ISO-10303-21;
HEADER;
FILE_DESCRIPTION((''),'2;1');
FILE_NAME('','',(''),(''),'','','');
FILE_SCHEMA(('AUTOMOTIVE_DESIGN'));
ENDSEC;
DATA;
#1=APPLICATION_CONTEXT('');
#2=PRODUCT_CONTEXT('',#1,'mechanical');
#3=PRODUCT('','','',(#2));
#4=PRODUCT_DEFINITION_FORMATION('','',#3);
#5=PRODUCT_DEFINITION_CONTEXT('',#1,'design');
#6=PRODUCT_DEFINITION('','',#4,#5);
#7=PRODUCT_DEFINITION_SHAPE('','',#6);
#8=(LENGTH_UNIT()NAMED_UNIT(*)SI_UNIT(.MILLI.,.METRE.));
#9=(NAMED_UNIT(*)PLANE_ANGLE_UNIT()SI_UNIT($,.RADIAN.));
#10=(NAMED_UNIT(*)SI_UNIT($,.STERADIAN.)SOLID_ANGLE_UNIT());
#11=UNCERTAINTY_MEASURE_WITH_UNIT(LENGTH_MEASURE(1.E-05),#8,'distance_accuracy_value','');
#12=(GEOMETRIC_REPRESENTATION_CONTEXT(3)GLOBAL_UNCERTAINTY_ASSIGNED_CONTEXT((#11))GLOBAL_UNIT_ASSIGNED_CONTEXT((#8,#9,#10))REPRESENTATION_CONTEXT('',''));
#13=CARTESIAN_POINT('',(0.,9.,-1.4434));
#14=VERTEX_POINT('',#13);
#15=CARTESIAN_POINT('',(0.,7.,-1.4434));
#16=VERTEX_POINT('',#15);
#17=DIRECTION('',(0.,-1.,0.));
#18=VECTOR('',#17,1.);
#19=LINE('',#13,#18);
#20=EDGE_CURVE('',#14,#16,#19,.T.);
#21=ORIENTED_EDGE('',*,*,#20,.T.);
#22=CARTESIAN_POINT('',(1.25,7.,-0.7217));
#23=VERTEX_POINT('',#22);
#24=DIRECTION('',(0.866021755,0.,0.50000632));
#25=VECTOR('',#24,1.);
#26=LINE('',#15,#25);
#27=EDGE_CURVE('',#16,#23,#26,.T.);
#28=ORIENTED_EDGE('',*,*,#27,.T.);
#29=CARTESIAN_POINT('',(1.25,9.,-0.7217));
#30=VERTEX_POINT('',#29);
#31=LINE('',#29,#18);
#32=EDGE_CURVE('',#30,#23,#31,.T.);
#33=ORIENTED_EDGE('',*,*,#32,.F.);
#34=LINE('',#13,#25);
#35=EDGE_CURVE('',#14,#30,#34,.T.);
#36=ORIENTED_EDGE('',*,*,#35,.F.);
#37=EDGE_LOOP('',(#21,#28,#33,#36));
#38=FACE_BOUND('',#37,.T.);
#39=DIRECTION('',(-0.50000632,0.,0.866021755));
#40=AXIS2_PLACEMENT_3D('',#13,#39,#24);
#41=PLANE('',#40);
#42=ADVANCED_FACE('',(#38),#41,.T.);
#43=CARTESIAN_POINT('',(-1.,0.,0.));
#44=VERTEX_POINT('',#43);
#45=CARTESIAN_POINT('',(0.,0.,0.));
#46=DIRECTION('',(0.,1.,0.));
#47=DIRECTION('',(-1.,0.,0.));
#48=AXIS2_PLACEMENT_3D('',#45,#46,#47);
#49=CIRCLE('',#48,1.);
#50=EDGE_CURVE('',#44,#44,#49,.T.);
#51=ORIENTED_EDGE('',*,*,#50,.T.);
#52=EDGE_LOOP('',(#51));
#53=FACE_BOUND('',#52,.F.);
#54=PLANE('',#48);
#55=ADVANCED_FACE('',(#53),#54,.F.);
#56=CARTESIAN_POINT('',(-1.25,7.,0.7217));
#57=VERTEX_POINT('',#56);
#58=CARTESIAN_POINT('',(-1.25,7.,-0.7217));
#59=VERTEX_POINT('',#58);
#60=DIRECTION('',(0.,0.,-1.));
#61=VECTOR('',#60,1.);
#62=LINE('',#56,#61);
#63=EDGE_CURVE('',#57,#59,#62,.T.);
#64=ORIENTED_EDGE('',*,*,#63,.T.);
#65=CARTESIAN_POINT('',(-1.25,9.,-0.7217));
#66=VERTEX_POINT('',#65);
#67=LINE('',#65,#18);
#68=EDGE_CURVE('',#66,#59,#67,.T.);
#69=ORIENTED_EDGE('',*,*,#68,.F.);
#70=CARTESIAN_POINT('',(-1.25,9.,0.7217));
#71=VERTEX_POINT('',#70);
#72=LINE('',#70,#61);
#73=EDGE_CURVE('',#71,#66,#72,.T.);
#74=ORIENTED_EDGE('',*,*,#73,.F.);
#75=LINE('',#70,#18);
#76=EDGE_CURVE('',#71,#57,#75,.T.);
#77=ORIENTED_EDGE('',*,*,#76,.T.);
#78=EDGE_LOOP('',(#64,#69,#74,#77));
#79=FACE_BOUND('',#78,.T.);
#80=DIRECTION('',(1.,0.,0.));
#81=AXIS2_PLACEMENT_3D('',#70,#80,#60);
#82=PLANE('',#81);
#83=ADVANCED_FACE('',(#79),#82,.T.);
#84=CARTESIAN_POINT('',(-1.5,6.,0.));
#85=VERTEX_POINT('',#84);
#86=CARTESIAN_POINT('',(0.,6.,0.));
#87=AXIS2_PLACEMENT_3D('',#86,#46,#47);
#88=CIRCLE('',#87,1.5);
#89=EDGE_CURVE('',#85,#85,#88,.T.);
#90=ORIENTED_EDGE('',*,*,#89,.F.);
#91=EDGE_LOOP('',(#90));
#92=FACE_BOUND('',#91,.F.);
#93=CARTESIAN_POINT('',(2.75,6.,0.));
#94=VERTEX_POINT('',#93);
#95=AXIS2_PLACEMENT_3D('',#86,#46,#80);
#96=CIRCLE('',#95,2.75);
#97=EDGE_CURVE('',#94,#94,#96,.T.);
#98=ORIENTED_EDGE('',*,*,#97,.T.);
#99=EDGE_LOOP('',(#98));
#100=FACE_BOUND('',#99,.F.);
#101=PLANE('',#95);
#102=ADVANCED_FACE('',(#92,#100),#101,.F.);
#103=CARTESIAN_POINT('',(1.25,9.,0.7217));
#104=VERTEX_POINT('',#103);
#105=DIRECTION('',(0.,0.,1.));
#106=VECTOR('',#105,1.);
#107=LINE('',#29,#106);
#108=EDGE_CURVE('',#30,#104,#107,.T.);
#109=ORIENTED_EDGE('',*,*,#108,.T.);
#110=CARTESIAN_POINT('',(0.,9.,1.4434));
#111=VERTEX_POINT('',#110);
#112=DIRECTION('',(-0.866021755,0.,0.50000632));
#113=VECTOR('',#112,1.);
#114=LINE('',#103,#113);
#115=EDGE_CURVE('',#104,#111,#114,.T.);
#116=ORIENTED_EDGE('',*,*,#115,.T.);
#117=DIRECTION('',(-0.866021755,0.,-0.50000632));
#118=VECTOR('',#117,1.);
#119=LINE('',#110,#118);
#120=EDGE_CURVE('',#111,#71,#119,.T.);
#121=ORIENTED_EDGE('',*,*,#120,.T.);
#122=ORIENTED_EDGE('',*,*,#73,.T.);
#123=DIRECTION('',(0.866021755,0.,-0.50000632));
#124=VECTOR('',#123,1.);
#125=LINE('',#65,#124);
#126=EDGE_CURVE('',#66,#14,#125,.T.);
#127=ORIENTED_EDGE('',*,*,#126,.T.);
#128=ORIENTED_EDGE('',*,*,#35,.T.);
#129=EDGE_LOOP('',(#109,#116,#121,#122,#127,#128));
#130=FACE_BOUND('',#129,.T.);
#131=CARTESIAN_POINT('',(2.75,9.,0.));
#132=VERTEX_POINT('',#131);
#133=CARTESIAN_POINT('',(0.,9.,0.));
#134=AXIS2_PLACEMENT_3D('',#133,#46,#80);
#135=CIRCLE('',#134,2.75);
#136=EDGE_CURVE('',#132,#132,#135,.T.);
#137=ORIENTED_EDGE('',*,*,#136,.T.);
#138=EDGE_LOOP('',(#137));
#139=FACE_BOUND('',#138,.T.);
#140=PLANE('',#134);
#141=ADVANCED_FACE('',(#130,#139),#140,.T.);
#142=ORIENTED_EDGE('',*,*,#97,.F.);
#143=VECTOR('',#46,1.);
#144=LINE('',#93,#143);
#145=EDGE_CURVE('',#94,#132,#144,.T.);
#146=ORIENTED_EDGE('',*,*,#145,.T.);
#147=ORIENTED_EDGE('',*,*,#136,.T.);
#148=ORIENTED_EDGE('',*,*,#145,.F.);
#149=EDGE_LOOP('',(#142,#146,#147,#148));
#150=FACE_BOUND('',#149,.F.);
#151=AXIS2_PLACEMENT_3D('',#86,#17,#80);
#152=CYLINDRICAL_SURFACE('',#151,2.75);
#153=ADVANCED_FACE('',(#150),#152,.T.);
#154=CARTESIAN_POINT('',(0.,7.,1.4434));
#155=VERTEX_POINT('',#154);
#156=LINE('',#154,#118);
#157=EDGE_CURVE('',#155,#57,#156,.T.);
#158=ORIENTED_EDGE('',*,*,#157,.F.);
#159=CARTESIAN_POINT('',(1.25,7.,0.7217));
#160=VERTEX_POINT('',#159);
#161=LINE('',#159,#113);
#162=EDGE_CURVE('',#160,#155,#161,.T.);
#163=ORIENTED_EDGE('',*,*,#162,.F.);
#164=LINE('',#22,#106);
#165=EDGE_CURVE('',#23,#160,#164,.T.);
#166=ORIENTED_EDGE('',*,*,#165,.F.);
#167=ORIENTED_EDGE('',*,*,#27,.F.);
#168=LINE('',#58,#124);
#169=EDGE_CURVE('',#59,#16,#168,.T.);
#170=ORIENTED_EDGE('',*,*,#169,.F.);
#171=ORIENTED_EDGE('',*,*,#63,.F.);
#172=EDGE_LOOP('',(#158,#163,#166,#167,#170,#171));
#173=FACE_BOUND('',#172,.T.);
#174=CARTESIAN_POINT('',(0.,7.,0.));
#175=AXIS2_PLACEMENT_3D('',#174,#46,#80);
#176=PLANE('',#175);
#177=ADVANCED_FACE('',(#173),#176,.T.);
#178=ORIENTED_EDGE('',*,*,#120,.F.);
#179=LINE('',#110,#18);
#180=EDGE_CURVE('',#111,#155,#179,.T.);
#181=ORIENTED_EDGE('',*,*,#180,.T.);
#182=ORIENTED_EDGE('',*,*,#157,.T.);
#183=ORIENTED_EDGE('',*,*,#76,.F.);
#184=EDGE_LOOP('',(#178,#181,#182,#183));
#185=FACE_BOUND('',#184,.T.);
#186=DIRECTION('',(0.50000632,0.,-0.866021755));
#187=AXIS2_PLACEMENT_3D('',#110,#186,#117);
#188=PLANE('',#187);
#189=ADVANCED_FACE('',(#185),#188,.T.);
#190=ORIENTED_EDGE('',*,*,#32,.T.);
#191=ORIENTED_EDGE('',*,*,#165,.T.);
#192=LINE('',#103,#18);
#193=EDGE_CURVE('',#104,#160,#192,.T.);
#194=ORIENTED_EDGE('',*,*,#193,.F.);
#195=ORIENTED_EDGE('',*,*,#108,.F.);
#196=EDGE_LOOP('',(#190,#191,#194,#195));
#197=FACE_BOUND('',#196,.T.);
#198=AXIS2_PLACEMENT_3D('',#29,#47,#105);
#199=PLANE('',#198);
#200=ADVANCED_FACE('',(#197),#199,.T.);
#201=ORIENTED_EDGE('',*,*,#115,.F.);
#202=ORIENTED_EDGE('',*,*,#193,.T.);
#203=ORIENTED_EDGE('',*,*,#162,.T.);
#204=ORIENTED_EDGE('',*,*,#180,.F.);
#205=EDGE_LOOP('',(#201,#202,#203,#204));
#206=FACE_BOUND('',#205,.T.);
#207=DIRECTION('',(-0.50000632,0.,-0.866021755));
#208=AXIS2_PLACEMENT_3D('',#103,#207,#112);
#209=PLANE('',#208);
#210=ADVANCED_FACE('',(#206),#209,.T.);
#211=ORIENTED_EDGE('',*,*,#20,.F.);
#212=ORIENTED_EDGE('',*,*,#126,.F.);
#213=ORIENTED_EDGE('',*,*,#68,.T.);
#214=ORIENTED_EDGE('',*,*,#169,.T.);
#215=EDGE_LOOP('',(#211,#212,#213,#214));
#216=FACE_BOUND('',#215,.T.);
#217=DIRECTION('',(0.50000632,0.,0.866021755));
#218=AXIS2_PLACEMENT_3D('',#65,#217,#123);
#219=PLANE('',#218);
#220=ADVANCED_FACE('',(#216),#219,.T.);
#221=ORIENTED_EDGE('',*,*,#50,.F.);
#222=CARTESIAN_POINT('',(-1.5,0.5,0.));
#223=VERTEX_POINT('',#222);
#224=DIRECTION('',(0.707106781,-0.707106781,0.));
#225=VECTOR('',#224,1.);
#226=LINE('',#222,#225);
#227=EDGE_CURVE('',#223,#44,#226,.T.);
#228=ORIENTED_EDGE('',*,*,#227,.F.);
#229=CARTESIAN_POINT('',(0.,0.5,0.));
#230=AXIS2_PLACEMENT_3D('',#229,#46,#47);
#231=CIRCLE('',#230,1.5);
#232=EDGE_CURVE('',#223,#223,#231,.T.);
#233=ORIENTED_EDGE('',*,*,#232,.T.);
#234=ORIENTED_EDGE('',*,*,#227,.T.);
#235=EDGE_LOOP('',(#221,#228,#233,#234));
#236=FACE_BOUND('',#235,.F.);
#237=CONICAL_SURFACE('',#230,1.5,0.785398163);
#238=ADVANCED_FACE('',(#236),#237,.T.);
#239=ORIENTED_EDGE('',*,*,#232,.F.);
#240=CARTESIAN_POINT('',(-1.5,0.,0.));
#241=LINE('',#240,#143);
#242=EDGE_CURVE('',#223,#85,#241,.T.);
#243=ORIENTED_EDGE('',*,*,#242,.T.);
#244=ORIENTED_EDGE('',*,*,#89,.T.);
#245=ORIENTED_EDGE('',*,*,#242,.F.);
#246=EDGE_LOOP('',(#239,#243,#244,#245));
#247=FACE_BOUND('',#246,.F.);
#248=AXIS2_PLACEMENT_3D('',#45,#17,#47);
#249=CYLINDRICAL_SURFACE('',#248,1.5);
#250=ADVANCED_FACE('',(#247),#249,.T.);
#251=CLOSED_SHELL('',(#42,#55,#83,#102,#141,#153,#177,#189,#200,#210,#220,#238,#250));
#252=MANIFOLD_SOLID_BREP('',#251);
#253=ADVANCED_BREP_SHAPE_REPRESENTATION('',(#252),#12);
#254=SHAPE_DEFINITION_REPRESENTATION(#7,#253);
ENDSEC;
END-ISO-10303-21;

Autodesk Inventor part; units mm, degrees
ref_plane "YZ Plane" through (0, 0, 0) normal (1, 0, 0) x (0, 1, 0)
ref_plane "XZ Plane" through (0, 0, 0) normal (0, 1, 0) x (-1, 0, 0)
ref_plane "XY Plane" through (0, 0, 0) normal (0, 0, 1) x (1, 0, 0)
sketch "Sketch1" plane through (0, 0, 0) normal (0, 1, 0) x (-1, 0, 0)
  circle A0 centre (0, 0) radius 1.5
  dimension "d0" = 3
extrude "Extrusion1" add sketch "Sketch1" along normal blind 6
sketch "Sketch2" plane through (0, 6, 0) normal (0, 1, 0) x (1, 0, 0)
  circle A0 centre (0, 0) radius 1.5 projected
  circle A1 centre (0, 0) radius 2.75
  dimension "d3" = 5.5
extrude "Extrusion2" add sketch "Sketch2" along normal blind 3 contours A0 | A1
sketch "Sketch3" plane through (0, 9, 0) normal (0, 1, 0) x (1, 0, 0)
  circle A0 centre (0, 0) radius 2.75 projected
  line L0 (0, 1.4434) -> (1.25, 0.7217)
  line L1 (1.25, 0.7217) -> (1.25, -0.7217)
  line L2 (1.25, -0.7217) -> (0, -1.4434)
  line L3 (0, -1.4434) -> (-1.25, -0.7217)
  line L4 (-1.25, -0.7217) -> (-1.25, 0.7217)
  line L5 (-1.25, 0.7217) -> (0, 1.4434)
  dimension "d6" = 2.5
extrude "Extrusion3" cut sketch "Sketch3" against normal blind 2 contours L0 L1 L2 L3 L4 L5
thread "Thread1" size "M3x0.5" class "6g" standard "ANSI Metric M Profile" full length
chamfer "Chamfer1" distance 0.5 angle 45 1 edges at (1.5, 0, 0)
properties part number "SHCS3x6" material "Stainless Steel"
